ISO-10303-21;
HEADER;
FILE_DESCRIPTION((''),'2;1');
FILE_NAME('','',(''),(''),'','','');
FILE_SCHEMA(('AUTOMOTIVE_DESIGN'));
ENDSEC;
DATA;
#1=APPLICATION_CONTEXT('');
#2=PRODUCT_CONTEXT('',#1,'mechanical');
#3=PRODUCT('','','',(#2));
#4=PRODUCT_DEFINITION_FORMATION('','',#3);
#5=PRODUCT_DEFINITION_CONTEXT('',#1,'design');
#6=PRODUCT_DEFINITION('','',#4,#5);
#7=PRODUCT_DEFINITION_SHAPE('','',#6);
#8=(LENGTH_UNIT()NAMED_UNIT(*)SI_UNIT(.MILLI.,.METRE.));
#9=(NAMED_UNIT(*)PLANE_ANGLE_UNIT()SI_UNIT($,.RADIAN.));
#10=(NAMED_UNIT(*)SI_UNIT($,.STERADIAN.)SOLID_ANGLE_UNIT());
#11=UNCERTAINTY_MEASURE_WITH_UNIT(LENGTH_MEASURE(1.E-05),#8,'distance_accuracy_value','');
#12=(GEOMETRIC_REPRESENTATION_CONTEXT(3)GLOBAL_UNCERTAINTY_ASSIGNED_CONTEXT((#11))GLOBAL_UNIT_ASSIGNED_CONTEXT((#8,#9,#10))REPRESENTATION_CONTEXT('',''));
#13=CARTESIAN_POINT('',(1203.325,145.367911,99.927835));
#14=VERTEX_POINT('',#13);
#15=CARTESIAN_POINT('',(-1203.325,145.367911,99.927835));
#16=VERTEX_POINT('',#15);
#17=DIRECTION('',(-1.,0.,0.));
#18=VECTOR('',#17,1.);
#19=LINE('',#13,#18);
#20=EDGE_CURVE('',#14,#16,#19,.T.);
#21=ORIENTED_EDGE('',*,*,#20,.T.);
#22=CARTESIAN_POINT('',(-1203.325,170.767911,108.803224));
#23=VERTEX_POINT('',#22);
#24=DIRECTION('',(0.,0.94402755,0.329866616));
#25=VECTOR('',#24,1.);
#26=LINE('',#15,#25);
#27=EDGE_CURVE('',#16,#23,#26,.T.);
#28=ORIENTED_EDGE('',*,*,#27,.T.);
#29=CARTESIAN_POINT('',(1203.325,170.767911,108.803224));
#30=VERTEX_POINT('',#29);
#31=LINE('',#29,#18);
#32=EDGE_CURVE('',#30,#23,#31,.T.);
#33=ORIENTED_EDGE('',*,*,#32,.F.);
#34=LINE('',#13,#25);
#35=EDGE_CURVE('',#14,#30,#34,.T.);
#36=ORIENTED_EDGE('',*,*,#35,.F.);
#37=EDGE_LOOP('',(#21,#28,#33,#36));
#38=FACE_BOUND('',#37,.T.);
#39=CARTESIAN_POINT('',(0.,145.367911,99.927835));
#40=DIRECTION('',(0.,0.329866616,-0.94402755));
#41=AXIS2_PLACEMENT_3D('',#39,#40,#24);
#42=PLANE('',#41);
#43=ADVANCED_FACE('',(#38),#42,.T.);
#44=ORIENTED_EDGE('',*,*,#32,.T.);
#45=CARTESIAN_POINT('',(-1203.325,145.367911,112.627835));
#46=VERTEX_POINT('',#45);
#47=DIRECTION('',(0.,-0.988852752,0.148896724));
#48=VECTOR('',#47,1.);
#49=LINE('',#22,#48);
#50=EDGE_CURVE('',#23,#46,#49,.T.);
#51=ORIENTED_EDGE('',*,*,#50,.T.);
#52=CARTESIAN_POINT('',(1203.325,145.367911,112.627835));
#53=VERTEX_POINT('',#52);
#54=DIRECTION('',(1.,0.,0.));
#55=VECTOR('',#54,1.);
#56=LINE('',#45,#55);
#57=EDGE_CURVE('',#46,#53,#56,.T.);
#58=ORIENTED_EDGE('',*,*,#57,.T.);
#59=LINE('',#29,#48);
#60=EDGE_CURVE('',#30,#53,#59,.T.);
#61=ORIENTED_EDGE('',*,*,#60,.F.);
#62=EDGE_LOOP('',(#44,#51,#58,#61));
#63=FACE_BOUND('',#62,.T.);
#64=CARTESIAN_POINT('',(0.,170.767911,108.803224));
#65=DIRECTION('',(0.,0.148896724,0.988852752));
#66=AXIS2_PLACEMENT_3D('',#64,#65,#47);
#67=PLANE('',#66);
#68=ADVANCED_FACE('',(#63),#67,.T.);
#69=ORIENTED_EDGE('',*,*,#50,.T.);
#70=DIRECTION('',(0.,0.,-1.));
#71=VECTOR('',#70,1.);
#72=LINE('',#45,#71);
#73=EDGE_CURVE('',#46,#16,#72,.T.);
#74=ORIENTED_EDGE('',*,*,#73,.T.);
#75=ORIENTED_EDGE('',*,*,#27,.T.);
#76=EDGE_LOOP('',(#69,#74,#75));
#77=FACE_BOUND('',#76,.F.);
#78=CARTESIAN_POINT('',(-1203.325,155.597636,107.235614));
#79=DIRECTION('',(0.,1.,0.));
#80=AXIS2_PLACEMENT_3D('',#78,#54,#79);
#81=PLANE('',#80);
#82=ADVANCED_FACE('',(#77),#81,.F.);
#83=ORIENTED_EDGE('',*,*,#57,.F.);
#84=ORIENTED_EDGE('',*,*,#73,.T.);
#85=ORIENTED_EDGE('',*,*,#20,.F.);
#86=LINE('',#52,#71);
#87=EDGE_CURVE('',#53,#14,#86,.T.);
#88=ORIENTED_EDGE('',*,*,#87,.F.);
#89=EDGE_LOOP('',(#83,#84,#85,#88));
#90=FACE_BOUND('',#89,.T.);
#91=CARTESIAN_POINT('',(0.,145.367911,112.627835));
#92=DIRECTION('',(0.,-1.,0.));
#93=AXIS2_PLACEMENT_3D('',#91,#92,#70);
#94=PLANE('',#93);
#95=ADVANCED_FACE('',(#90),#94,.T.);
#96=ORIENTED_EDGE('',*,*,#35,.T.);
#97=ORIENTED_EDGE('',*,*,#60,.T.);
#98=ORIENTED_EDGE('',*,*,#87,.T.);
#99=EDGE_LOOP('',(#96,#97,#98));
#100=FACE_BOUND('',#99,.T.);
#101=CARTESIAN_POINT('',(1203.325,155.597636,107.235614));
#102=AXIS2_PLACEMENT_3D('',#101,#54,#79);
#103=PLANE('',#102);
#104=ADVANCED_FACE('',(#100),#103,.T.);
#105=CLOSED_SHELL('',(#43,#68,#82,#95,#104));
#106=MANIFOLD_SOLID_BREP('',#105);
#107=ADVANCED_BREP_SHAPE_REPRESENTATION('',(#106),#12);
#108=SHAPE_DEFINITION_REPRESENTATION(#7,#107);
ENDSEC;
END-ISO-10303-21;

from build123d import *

# Parameters (mm, degrees)
F1_DEPTH = 1203.325


with BuildPart() as f1:
    # F0 (on Right) → F1 (new body, symmetric)
    with BuildSketch(Plane.YZ):
        Polygon((170.7679113517, 108.8032241349), (145.3679113517, 112.6278348013), (145.3679113517, 99.9278348013), align=None)
    extrude(amount=F1_DEPTH, both=True)


solid = f1.part
